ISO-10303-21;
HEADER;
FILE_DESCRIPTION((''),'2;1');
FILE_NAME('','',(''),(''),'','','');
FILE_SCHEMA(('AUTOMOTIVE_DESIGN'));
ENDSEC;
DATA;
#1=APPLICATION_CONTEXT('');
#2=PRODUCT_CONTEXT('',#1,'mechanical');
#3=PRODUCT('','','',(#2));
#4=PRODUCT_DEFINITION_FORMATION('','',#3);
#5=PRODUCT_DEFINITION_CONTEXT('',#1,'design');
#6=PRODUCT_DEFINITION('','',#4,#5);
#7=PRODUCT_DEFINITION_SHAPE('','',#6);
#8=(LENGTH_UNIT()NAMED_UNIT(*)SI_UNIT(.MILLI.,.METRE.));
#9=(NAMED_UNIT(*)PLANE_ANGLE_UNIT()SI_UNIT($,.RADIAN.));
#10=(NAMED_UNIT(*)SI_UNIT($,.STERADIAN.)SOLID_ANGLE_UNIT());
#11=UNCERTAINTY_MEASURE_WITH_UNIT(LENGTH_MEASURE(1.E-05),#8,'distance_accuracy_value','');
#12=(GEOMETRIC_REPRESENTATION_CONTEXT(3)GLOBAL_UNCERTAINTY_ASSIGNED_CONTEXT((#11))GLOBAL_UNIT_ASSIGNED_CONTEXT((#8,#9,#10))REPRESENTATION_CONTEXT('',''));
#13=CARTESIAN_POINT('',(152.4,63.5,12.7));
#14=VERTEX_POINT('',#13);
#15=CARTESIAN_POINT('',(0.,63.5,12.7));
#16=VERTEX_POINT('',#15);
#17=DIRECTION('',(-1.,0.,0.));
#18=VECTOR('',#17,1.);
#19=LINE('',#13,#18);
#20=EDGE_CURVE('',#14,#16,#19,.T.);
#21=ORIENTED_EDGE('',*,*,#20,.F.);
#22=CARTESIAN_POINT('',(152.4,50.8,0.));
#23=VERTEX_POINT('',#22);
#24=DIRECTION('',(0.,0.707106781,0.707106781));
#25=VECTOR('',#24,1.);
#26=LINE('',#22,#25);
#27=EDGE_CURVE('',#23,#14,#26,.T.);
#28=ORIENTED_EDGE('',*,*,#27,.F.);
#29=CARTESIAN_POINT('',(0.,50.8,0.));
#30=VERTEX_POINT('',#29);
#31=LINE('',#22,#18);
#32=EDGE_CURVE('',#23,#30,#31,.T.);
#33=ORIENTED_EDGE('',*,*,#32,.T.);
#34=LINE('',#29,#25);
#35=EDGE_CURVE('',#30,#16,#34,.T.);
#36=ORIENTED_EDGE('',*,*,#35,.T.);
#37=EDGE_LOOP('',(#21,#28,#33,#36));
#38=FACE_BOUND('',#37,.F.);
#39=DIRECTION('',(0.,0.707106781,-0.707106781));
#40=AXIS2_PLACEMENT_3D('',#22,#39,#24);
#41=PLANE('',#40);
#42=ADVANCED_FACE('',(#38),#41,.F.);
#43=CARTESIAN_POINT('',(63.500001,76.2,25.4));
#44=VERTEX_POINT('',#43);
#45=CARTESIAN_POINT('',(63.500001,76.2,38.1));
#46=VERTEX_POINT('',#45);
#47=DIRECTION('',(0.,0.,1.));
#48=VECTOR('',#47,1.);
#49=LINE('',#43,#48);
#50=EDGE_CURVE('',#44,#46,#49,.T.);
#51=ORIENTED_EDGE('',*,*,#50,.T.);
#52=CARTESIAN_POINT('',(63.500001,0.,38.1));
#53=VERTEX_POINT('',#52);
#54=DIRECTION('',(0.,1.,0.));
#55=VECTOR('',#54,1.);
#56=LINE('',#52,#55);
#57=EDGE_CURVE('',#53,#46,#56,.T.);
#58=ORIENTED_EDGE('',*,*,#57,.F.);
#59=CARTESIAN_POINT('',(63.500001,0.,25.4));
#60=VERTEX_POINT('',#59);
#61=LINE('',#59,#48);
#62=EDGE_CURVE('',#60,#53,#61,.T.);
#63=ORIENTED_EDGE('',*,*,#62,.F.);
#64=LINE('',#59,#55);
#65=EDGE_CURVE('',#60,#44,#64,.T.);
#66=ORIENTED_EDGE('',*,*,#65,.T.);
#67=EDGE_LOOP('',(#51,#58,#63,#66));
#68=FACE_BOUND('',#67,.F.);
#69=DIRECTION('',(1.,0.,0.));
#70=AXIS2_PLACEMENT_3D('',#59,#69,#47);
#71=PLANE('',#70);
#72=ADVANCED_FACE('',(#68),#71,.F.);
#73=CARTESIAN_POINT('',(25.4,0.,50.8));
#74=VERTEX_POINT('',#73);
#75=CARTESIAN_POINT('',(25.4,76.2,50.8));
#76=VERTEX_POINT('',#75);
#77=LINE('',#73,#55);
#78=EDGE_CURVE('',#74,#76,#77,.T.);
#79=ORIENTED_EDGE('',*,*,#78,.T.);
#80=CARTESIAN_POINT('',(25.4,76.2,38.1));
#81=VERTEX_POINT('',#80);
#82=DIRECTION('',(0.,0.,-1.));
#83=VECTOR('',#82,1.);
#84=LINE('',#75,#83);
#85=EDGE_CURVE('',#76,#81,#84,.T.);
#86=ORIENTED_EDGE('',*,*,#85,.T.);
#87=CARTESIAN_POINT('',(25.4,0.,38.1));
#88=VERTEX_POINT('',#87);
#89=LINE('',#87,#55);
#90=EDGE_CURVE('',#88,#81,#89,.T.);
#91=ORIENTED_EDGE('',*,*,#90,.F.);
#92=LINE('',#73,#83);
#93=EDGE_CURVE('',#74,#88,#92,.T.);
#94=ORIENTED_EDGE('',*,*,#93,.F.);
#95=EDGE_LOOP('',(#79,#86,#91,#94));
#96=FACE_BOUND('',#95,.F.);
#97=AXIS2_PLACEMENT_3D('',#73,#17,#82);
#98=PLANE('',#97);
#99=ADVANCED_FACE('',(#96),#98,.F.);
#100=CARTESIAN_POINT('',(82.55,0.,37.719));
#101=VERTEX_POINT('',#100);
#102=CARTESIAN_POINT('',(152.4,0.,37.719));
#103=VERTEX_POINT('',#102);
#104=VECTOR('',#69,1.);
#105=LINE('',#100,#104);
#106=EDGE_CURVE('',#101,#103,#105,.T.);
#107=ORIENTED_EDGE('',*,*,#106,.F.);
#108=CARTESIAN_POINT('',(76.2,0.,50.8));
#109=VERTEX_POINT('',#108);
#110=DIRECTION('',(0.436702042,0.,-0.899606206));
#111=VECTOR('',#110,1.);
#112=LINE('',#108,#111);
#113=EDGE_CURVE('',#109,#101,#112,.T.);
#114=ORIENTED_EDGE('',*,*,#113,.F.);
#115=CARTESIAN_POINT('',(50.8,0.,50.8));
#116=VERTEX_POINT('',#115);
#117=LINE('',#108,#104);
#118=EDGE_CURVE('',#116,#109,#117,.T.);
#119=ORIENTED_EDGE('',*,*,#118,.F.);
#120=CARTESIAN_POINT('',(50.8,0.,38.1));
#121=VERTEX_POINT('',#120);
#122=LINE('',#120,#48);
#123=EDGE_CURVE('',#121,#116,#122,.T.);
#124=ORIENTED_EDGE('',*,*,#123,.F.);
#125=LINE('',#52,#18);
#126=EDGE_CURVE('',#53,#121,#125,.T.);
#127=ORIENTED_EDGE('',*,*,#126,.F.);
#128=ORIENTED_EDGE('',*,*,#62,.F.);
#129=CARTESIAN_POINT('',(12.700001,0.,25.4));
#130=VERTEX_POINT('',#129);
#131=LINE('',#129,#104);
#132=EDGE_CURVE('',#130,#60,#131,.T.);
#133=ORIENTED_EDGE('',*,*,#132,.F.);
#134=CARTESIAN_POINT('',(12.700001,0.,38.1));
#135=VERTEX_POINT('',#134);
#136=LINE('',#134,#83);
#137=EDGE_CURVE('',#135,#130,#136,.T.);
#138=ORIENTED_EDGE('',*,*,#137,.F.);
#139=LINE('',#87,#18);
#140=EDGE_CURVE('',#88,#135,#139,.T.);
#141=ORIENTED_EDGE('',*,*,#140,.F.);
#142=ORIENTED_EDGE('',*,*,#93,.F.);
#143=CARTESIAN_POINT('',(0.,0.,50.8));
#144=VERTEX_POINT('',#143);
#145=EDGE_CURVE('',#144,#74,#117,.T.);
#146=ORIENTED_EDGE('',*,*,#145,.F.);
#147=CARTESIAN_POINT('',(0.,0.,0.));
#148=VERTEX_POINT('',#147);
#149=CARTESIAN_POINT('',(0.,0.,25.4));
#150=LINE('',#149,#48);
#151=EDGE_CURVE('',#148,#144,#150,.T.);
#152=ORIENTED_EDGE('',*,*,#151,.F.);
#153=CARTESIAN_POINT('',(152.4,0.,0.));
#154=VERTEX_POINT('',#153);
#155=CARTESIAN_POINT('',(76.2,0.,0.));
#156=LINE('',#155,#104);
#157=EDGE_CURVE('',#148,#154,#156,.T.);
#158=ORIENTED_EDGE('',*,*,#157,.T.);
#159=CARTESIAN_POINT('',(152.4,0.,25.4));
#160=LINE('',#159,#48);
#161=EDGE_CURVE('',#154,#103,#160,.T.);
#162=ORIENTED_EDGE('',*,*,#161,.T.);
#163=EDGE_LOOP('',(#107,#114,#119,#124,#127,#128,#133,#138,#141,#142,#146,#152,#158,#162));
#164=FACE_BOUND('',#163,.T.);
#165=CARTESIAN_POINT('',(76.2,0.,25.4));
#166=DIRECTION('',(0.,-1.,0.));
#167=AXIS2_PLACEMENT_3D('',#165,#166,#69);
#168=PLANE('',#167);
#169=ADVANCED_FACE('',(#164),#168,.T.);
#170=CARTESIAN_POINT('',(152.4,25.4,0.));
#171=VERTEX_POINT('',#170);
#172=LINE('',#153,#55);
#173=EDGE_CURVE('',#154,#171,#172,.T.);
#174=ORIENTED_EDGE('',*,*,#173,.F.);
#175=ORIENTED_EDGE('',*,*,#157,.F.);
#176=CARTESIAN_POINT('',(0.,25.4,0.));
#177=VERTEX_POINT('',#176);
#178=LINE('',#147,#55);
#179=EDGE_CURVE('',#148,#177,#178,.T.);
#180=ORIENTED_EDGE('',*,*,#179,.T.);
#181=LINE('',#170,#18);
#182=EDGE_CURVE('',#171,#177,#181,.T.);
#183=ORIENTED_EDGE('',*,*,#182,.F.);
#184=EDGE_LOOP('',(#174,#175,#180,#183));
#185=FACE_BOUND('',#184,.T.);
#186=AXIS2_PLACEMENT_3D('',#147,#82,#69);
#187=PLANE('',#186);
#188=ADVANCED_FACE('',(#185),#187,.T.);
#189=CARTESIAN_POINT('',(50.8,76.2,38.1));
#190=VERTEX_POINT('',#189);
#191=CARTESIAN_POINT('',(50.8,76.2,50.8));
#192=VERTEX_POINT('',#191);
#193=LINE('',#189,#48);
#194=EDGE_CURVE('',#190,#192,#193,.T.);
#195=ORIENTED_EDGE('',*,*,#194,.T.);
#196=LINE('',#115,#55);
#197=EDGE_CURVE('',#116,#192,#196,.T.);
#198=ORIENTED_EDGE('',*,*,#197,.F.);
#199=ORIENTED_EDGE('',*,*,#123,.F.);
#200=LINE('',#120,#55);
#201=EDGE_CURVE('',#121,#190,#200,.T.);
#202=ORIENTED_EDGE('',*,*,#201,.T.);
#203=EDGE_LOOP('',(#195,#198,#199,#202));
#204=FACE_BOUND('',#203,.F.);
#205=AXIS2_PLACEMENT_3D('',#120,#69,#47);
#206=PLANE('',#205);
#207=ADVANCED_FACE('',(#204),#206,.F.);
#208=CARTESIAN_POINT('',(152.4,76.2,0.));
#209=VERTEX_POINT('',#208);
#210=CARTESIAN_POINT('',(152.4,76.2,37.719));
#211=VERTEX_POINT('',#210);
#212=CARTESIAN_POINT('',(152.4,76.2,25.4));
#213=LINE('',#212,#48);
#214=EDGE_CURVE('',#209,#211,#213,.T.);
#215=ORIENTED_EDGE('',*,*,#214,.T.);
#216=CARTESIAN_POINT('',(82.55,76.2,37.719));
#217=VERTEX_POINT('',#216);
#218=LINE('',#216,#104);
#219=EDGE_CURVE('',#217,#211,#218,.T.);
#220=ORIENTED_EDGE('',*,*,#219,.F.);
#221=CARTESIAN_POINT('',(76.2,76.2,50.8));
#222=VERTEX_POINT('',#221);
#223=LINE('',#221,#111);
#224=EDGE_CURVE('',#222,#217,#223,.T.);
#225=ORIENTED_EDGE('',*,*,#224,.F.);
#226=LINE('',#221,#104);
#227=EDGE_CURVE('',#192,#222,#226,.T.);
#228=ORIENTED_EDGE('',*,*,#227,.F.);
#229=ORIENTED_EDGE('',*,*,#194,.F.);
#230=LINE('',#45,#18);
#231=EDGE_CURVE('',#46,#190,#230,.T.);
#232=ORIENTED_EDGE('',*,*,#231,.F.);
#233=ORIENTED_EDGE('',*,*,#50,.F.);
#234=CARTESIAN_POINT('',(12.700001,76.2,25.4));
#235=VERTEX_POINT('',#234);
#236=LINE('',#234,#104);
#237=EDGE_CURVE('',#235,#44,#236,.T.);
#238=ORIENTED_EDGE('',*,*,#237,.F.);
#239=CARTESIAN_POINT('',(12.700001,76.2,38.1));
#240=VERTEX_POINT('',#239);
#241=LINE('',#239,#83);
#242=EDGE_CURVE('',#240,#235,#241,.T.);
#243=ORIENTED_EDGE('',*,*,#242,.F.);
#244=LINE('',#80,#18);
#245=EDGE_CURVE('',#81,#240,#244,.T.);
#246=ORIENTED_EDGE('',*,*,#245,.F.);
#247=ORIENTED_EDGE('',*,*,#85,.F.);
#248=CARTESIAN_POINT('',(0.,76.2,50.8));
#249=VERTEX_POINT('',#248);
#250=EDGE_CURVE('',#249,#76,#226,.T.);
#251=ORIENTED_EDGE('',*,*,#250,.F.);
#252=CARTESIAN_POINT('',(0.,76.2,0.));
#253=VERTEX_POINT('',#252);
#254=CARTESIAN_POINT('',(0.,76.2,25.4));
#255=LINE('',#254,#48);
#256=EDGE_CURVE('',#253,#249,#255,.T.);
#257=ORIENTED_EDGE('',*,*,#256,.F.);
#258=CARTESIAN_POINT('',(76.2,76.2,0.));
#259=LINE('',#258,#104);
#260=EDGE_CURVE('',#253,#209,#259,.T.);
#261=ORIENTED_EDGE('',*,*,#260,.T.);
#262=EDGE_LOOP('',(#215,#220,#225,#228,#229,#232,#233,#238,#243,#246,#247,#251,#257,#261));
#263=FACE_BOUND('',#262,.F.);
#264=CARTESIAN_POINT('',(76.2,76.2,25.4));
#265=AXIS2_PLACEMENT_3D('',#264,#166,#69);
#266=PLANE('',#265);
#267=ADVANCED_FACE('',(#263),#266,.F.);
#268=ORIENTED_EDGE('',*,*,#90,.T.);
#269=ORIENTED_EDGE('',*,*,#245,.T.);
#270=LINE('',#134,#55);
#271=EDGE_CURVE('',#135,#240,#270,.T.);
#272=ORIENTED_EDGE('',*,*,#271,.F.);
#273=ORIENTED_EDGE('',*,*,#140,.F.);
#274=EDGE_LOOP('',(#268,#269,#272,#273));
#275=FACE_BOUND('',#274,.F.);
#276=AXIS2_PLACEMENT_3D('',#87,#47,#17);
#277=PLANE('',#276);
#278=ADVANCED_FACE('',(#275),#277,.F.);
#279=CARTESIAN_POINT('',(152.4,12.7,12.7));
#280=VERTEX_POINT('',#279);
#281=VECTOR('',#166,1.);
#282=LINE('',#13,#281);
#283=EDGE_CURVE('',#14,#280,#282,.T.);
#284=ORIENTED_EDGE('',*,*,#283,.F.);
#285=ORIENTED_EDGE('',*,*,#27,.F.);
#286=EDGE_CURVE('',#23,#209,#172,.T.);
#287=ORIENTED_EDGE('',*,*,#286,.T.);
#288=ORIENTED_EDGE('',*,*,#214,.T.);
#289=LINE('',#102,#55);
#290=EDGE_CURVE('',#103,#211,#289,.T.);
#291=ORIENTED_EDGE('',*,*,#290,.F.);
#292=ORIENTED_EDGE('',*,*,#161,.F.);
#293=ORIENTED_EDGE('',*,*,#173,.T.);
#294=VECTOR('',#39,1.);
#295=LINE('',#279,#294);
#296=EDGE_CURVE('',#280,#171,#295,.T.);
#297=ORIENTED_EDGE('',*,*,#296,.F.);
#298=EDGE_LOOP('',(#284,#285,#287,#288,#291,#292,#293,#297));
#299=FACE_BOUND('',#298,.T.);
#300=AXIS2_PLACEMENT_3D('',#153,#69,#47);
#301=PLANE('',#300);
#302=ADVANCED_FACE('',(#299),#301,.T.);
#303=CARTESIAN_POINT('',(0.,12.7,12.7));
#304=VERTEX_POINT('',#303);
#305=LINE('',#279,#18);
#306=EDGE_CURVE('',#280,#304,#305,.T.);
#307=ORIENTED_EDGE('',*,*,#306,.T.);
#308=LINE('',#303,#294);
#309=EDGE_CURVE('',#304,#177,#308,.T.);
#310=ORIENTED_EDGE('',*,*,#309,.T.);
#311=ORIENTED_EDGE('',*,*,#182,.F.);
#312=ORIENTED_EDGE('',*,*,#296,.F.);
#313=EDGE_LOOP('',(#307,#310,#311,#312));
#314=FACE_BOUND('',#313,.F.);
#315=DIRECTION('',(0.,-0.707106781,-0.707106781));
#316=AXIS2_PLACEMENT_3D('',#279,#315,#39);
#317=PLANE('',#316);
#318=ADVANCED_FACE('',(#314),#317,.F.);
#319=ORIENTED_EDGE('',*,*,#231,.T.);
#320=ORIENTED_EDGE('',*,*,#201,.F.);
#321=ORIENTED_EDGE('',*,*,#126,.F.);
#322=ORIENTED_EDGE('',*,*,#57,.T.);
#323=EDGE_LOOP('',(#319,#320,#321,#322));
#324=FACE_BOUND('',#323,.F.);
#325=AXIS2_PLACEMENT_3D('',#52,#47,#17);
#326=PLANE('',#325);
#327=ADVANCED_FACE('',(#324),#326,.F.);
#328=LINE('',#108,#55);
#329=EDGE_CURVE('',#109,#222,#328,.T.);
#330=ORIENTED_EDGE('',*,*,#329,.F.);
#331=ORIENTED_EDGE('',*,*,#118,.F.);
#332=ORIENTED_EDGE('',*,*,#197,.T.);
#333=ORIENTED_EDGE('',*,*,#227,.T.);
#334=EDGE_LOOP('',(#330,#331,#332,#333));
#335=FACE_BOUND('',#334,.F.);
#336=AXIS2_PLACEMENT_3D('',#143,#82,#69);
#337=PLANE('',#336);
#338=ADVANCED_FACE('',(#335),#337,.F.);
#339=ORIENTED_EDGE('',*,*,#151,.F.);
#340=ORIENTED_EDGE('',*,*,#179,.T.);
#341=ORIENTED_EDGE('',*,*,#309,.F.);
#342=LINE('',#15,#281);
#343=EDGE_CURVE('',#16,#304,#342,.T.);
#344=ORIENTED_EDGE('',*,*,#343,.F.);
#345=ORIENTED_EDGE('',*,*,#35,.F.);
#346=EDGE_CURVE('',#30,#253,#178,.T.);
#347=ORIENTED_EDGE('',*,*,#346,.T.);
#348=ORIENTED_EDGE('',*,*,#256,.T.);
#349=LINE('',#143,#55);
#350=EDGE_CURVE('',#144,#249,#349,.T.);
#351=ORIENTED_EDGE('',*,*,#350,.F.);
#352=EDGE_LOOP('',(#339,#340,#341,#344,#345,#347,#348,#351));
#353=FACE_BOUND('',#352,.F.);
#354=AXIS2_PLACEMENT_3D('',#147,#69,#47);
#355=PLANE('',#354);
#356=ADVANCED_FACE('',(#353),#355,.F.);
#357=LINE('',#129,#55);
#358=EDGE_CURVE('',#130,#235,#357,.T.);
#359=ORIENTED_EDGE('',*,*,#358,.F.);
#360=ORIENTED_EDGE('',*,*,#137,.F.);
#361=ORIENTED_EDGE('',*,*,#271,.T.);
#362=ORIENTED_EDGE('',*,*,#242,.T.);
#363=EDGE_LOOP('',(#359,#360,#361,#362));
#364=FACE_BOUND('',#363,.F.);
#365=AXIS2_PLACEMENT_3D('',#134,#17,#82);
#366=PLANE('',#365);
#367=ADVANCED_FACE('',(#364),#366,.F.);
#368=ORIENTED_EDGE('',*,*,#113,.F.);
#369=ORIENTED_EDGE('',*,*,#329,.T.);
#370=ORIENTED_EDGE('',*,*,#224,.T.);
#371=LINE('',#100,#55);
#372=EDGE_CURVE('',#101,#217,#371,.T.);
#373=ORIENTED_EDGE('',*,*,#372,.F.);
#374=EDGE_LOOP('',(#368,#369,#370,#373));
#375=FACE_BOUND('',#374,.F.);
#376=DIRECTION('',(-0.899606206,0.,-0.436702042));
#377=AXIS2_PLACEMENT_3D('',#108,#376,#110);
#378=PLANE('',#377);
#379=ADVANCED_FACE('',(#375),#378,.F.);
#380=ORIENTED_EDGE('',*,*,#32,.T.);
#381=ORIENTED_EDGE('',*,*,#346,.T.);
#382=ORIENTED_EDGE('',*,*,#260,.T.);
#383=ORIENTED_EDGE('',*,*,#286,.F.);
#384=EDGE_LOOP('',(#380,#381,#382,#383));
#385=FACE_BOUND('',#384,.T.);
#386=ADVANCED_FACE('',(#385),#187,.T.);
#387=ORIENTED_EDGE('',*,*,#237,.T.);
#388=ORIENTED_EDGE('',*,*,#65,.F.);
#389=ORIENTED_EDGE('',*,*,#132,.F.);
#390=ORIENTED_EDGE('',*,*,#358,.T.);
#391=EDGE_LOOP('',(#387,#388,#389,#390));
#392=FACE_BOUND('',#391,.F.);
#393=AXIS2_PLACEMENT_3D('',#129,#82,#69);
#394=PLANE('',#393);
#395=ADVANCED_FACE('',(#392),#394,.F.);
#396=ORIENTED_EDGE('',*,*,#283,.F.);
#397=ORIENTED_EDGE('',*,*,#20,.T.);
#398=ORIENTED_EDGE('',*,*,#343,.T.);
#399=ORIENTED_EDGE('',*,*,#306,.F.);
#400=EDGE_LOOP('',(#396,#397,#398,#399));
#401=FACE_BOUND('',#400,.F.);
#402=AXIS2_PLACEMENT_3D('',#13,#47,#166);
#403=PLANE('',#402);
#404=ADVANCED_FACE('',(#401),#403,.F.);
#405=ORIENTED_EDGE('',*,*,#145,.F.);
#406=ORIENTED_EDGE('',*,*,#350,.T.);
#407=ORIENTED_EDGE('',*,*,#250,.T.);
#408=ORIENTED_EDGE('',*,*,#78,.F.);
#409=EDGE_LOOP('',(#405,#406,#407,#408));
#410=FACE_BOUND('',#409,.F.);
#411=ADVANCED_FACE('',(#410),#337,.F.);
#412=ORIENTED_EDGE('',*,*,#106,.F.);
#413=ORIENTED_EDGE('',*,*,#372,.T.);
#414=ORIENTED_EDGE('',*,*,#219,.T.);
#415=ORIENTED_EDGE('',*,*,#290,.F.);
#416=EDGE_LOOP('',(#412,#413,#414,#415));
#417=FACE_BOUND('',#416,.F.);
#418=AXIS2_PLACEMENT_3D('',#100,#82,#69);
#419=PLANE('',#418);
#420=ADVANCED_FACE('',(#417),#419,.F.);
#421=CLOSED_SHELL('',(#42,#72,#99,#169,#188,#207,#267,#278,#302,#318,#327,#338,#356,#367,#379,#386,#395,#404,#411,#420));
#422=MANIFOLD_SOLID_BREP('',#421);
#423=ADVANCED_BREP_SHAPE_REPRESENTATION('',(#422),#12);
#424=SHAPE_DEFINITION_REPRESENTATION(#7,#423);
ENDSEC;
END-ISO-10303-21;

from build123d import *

# Parameters (mm, degrees)
F0_W     = 152.4
F0_H     = 50.8
F1_DEPTH = 76.2
F3_DEPTH = 76.2
F5_DEPTH = 152.4


with BuildPart() as f1:
    # F0 (on Front) → F1 (new body)
    with BuildSketch(Plane.XZ):
        with Locations((76.2, 25.4)):
            Rectangle(F0_W, F0_H)
    extrude(amount=-F1_DEPTH)

    # F2 (on face) → F3 (cut)
    with BuildSketch(Plane.XZ):
        Polygon((50.8, 50.8), (25.4, 50.8), (25.4, 38.1), (12.700001, 38.1), (12.700001, 25.4), (63.500001, 25.4), (63.500001, 38.1), (50.8, 38.1), align=None)
        Polygon((82.55, 37.719), (152.4, 37.719), (152.4, 50.8), (76.2, 50.8), align=None)
    extrude(amount=-F3_DEPTH, mode=Mode.SUBTRACT)

    # F4 (on face) → F5 (cut)
    with BuildSketch(Plane.YZ.offset(152.4)):
        Polygon((12.7, 12.7), (25.4, 0), (50.8, 0), (63.5, 12.7), align=None)
    extrude(amount=-F5_DEPTH, mode=Mode.SUBTRACT)


solid = f1.part
